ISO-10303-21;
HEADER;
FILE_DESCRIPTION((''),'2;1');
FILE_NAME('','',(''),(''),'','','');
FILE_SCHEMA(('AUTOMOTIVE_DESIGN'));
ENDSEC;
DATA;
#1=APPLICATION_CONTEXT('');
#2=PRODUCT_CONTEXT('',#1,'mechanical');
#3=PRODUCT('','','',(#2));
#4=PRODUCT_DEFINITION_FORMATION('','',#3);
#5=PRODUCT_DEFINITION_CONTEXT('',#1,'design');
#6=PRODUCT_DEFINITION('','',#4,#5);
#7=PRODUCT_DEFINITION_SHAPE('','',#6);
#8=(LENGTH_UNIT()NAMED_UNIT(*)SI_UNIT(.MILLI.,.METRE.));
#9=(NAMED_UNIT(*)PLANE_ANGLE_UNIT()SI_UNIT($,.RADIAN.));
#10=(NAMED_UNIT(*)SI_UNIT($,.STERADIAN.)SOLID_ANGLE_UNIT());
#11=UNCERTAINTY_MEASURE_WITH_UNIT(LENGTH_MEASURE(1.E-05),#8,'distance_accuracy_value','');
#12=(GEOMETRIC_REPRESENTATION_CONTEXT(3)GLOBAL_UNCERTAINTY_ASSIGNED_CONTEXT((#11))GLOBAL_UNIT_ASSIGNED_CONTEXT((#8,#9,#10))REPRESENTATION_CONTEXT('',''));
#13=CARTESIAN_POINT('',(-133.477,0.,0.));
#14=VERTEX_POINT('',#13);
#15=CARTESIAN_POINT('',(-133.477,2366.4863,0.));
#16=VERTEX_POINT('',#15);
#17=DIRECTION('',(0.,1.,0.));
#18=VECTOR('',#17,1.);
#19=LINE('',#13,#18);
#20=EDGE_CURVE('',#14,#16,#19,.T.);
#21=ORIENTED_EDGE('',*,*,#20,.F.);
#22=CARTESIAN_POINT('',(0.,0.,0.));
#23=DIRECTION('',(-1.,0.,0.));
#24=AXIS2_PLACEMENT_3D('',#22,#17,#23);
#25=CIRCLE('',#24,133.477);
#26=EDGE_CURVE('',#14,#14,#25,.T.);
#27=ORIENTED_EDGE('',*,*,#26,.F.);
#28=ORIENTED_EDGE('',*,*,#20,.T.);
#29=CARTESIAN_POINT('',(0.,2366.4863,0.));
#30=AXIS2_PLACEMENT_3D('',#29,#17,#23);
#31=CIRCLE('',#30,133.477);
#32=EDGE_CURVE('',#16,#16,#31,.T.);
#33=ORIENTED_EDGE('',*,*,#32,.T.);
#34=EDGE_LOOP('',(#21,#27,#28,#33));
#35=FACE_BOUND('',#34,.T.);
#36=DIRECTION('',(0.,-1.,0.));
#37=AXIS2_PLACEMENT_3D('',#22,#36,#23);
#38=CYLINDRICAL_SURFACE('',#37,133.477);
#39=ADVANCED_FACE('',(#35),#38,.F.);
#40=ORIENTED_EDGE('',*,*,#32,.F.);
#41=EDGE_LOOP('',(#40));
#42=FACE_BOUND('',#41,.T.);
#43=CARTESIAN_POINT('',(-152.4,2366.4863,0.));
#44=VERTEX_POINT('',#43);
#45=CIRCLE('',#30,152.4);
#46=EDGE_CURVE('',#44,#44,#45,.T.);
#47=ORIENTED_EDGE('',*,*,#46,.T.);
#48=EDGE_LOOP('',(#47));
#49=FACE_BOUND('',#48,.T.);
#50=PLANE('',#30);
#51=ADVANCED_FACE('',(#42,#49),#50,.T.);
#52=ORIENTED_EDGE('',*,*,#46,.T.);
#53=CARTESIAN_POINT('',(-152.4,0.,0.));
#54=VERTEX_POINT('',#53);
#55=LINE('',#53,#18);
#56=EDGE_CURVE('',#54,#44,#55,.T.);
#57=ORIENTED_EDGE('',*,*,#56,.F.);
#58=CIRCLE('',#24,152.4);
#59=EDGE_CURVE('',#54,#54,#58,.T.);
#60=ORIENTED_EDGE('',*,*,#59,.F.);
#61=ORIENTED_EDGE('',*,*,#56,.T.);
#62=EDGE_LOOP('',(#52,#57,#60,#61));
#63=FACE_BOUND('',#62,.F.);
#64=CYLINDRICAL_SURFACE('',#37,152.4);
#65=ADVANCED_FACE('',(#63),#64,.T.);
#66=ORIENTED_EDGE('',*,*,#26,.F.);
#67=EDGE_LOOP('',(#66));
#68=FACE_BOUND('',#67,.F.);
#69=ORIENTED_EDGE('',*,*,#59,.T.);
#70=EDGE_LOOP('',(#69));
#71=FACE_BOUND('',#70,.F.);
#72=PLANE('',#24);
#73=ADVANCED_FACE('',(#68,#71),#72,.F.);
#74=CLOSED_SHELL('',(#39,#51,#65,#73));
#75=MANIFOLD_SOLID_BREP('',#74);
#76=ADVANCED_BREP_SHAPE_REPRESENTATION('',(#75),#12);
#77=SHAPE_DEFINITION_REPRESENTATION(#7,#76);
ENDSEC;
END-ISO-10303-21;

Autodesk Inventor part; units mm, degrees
ref_plane "YZ Plane" through (0, 0, 0) normal (1, 0, 0) x (0, 1, 0)
ref_plane "XZ Plane" through (0, 0, 0) normal (0, 1, 0) x (-1, 0, 0)
ref_plane "XY Plane" through (0, 0, 0) normal (0, 0, 1) x (1, 0, 0)
sketch "Sketch1" plane through (0, 0, 0) normal (0, 1, 0) x (-1, 0, 0)
  circle A0 centre (0, 0) radius 133.477
  circle A1 centre (0, 0) radius 152.4
  dimension "Tank_Outer_Diameter_NO" = 304.8
  dimension "Tank_Inner_Diameter_NO" = 266.954
extrude "Extrusion1" add sketch "Sketch1" along normal blind 2366.4863
equation "\"Tank_Shell_Height_NO\" = Tank_Shell_Height"
equation "\"Outlet_Cap_Wall_Thickness\" = 14.06223"
equation "\"Tank_Outer_Diameter\" = 304.8"
equation "\"Tank_Inner_Diameter\" = 267.06128"
equation "\"Tank_Shell_Height\" = 2366.48629"
equation "\"Outlet_Cap_Knuckle_Radius\" = 47.03484"
equation "\"Outlet_Cap_Crown_Radius\" = 249.00798"
equation "\"Outlet_Cap_Skirt_Length\" = 12.7"
properties part number "Fuel Tank"
